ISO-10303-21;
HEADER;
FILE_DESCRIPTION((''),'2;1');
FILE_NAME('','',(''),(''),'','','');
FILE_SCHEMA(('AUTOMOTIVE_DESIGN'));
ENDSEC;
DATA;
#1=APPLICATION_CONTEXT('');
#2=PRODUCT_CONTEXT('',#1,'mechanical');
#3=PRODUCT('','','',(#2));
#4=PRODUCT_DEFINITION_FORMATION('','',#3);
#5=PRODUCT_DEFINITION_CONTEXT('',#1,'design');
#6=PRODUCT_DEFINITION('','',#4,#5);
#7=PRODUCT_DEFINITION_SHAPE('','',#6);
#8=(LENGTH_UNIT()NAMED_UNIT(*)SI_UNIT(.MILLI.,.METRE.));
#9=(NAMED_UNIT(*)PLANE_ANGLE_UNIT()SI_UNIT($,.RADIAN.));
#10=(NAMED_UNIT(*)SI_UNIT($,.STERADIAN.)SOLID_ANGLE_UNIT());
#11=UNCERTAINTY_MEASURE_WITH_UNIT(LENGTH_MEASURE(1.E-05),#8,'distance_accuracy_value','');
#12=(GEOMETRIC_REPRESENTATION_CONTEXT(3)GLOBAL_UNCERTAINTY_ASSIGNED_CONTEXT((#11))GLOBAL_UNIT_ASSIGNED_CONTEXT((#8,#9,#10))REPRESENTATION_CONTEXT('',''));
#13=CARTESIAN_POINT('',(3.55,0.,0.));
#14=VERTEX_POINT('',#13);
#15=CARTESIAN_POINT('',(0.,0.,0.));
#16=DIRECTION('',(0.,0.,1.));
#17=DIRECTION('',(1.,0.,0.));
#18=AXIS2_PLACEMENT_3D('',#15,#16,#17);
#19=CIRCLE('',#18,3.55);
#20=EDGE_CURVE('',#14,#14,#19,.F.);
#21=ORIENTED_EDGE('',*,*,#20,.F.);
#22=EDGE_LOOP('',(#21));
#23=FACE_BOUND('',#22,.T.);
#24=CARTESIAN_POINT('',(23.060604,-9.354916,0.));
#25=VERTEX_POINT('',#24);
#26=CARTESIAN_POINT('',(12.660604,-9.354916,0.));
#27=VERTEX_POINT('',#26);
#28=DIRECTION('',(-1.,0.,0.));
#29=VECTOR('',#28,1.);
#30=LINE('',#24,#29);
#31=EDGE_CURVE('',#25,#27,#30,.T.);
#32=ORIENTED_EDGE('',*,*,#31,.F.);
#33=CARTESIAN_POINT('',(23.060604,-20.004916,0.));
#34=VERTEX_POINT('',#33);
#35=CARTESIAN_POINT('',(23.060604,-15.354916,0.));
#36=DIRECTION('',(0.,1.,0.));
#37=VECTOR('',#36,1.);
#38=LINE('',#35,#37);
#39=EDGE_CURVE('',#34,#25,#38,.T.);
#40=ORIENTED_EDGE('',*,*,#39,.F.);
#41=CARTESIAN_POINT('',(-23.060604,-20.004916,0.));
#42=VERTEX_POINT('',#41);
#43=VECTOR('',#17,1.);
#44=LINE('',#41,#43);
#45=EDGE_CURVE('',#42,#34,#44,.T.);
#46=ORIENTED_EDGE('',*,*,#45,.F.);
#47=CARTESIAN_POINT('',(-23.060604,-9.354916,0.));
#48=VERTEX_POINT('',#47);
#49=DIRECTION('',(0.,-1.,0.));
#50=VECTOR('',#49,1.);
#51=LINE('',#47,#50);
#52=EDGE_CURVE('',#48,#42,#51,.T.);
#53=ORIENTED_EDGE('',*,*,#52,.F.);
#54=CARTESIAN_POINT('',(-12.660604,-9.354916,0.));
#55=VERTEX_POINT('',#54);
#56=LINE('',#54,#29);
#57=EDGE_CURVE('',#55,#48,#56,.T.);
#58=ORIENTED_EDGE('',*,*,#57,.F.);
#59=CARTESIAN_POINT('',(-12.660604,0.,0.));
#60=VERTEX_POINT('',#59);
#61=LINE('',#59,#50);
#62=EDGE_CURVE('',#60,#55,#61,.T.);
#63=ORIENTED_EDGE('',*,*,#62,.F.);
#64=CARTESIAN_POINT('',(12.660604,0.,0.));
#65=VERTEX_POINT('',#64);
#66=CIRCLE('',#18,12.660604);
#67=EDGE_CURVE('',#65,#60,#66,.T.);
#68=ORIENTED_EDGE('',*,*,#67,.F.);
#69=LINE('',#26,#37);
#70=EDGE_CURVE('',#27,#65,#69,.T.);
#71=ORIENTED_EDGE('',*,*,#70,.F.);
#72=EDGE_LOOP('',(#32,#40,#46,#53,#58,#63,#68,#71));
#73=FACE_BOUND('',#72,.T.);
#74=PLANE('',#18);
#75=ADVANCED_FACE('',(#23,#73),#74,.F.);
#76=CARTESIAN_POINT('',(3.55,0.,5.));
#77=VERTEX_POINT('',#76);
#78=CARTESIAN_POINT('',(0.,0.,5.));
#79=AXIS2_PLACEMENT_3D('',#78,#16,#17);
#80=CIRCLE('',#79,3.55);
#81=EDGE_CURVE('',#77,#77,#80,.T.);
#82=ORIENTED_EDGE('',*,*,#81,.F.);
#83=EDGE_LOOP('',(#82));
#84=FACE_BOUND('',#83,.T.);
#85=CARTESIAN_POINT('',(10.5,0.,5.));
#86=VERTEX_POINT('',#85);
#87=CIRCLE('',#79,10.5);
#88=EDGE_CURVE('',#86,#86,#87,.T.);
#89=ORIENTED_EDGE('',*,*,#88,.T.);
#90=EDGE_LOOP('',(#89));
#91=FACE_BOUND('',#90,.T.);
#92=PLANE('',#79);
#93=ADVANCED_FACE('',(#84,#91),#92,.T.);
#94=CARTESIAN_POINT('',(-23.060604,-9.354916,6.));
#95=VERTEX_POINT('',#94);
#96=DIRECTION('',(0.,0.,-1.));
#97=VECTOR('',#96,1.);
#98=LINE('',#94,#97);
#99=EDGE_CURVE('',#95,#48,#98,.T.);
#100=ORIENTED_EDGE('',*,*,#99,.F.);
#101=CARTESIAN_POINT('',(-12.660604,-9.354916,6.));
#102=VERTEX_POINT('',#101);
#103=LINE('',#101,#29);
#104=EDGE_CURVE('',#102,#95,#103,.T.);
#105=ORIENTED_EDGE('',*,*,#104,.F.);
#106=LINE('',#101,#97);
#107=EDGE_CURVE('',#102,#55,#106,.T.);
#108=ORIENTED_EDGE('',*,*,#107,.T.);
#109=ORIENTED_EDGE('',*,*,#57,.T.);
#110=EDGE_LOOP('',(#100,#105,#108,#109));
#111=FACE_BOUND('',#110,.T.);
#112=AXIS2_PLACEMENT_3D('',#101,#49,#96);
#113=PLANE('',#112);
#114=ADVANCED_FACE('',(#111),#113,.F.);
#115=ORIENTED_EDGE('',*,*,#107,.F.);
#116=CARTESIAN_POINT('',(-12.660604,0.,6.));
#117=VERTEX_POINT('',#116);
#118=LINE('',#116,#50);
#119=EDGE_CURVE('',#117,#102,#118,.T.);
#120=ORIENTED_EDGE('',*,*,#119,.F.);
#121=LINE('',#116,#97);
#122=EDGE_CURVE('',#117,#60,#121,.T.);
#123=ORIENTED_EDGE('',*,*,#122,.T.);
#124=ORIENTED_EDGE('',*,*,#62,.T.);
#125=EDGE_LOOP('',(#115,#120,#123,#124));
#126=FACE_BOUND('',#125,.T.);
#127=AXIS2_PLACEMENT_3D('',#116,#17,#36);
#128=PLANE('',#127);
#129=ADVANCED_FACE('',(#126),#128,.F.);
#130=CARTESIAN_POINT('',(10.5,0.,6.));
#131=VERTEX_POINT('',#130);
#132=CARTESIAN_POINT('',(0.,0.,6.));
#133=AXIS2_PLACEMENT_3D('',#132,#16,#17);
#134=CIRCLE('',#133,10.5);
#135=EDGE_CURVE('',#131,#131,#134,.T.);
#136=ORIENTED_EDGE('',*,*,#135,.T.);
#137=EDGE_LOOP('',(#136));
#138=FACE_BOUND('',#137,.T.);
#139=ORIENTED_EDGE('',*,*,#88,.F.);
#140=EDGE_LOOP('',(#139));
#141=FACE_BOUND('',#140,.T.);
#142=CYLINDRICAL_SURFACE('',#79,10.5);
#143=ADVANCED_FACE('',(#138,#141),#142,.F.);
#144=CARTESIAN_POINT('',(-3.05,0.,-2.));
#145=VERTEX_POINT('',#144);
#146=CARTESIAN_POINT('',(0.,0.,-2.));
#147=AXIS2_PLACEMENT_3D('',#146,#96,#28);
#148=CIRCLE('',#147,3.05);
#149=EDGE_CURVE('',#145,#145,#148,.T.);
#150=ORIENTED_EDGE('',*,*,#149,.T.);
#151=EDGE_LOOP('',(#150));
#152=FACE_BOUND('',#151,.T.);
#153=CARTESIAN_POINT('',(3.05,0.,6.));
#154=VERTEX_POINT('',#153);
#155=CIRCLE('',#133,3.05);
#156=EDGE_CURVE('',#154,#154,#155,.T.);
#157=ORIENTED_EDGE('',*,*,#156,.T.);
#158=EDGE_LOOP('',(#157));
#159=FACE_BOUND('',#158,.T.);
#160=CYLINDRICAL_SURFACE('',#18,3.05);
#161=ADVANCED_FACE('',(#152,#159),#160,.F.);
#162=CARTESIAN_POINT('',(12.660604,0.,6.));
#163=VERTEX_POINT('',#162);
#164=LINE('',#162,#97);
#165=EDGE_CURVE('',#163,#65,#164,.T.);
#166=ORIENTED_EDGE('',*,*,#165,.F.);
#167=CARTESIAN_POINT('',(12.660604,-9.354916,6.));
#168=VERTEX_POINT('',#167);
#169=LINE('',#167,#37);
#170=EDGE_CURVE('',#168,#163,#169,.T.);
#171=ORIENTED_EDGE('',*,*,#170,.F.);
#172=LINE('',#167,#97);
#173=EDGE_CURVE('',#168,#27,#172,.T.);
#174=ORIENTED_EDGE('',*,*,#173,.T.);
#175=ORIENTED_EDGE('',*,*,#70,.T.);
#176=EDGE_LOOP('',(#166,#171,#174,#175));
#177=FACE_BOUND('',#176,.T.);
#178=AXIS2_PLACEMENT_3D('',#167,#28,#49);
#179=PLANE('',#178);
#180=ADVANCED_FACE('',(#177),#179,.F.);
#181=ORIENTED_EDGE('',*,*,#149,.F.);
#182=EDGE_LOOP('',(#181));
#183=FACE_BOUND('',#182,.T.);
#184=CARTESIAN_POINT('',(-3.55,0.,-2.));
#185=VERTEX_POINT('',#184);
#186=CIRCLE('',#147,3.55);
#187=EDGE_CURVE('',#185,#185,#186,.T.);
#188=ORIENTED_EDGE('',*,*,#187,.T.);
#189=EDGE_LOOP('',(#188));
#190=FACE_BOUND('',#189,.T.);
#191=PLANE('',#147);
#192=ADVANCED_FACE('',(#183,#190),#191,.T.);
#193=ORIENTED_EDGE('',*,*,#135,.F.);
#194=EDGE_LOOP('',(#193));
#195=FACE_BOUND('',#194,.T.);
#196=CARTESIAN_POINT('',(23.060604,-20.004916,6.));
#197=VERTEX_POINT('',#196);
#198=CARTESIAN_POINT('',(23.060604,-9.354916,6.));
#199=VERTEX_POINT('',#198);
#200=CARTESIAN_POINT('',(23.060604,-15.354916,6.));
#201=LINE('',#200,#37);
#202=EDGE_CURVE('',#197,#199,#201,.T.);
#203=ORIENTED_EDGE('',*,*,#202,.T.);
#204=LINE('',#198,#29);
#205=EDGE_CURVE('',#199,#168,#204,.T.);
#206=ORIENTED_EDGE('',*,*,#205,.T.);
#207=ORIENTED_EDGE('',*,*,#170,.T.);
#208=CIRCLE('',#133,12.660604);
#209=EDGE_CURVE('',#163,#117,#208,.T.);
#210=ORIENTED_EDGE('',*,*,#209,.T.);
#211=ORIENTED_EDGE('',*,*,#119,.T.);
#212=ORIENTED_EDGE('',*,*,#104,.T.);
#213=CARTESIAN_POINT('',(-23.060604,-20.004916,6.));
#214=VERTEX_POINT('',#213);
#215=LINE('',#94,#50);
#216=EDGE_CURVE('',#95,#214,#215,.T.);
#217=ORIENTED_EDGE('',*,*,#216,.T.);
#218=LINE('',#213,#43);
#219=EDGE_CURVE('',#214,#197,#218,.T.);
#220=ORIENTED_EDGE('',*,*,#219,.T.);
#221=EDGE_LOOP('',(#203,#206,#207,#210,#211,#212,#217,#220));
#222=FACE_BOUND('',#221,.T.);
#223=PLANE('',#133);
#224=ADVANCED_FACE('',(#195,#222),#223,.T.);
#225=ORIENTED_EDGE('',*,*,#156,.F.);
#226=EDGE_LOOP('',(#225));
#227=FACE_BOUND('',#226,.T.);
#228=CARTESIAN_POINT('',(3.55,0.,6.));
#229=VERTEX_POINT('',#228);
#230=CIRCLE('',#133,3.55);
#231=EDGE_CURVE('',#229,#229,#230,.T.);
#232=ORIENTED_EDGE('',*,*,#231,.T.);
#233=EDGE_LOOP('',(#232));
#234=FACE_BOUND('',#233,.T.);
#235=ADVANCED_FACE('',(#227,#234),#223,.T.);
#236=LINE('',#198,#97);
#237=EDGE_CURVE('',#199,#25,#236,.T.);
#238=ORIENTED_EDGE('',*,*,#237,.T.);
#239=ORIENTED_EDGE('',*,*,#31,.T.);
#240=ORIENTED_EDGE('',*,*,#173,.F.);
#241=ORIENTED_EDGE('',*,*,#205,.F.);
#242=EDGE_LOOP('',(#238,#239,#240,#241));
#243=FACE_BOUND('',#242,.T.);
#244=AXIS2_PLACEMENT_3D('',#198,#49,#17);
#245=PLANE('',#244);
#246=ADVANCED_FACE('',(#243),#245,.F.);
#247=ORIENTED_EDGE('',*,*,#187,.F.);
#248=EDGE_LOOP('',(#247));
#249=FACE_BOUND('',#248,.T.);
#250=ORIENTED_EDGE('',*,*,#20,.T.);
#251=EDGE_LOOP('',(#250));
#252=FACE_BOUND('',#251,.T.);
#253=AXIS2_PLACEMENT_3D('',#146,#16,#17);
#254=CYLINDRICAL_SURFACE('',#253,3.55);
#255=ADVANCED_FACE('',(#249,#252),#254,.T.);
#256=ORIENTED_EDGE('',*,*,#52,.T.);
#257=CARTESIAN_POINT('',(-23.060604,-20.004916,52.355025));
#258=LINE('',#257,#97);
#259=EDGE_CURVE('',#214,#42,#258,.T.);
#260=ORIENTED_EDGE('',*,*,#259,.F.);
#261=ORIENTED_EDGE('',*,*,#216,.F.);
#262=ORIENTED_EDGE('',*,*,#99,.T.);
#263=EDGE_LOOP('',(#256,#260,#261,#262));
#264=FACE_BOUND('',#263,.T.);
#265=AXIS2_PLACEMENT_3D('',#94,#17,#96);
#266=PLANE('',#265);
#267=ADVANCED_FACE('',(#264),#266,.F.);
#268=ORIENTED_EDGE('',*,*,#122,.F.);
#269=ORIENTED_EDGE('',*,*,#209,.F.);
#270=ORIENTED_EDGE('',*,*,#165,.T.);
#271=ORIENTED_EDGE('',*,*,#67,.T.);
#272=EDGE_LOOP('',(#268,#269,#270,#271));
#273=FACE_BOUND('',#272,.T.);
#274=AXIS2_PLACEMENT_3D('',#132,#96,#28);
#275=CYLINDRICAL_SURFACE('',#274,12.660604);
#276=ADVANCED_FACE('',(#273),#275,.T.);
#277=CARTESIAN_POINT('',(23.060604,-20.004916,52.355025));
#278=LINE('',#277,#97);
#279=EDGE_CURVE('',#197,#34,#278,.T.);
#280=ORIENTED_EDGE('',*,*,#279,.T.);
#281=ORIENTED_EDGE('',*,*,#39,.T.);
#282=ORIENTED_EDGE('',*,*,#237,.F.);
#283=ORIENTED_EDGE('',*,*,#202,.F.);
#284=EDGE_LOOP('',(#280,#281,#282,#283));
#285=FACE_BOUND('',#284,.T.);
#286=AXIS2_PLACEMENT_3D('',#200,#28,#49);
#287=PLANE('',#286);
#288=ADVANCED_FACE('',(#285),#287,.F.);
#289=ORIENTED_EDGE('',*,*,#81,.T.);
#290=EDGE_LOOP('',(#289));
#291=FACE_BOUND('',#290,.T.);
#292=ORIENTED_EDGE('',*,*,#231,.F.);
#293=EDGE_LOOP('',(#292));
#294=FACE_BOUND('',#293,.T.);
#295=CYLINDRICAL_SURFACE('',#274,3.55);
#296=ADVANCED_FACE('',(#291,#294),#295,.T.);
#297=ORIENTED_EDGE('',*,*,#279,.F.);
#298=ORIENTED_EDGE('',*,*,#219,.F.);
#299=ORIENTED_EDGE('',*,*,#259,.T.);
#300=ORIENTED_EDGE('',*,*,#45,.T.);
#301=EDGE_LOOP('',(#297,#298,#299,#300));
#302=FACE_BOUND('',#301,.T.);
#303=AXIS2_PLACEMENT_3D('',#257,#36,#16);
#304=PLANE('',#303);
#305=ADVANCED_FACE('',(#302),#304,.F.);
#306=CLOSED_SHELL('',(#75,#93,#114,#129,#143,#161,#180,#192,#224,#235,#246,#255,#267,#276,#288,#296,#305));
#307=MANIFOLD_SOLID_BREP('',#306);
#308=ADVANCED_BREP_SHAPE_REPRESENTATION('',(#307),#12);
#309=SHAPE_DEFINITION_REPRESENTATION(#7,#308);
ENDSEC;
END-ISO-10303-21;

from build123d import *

# Parameters (mm, degrees)
SKETCH1_R            = 11
SKETCH1_R_2          = 3
BOSS_EXTRUDE2_DEPTH  = 6
SKETCH3_R            = 10.5
CUT_EXTRUDE1_DEPTH   = 1
SKETCH4_R            = 3.55
BOSS_EXTRUDE5_DEPTH  = 1
SKETCH5_R            = 3.05
CUT_EXTRUDE2_DEPTH   = 17.673332001
BOSS_EXTRUDE6_START  = 2
SKETCH6_R            = 3.55
BOSS_EXTRUDE6_DEPTH  = 2
SKETCH7_R            = 3.05
CUT_EXTRUDE3_DEPTH   = 18.492855685
SKETCH9_R            = 11
BOSS_EXTRUDE9_DEPTH  = 6
SKETCH10_W           = 46.121208306
SKETCH10_H           = 4.65
BOSS_EXTRUDE10_DEPTH = 6


with BuildPart() as part:
    # Sketch1 → Boss-Extrude2 (new body)
    with BuildSketch(Plane.XY):
        Circle(SKETCH1_R)
        Circle(SKETCH1_R_2, mode=Mode.SUBTRACT)
    extrude(amount=BOSS_EXTRUDE2_DEPTH)

    # Sketch3 → Cut-Extrude1 (cut)
    with BuildSketch(Plane.XY.offset(6)):
        Circle(SKETCH3_R)
    extrude(amount=-CUT_EXTRUDE1_DEPTH, mode=Mode.SUBTRACT)

    # Sketch4 → Boss-Extrude5 (add)
    with BuildSketch(Plane.XY.offset(5)):
        Circle(SKETCH4_R)
    extrude(amount=BOSS_EXTRUDE5_DEPTH)

    # Sketch5 → Cut-Extrude2 (cut, through all)
    with BuildSketch(Plane.XY.offset(6)):
        Circle(SKETCH5_R)
    extrude(amount=-CUT_EXTRUDE2_DEPTH, mode=Mode.SUBTRACT)

    # Sketch6 → Boss-Extrude6 (add)
    with BuildSketch(Plane(origin=(0, 0, 0), x_dir=(-1, 0, 0), z_dir=(0, 0, -1)).offset(BOSS_EXTRUDE6_START)):
        with Locations(Location((0, 0, 0), (0, 0, 180))):
            Circle(SKETCH6_R)
    extrude(amount=-BOSS_EXTRUDE6_DEPTH)

    # Sketch7 → Cut-Extrude3 (cut, through all)
    with BuildSketch(Plane(origin=(0, 0, -2), x_dir=(-1, 0, 0), z_dir=(0, 0, -1))):
        with Locations(Location((0, 0, 0), (0, 0, 180))):
            Circle(SKETCH7_R)
    extrude(amount=-CUT_EXTRUDE3_DEPTH, mode=Mode.SUBTRACT)

    # Sketch9 → Boss-Extrude9 (add, through all)
    with BuildSketch(Plane.XY):
        with BuildLine():
            Line((-12.660604153, 0), (-12.660604153, -9.354915786))
            Line((-12.660604153, -9.354915786), (-23.060604153, -9.354915786))
            Line((-23.060604153, -9.354915786), (-23.060604153, -15.354915786))
            Line((-23.060604153, -15.354915786), (23.060604153, -15.354915786))
            Line((23.060604153, -15.354915786), (23.060604153, -9.354915786))
            Line((23.060604153, -9.354915786), (12.660604153, -9.354915786))
            Line((12.660604153, -9.354915786), (12.660604153, 0))
            ThreePointArc((12.660604153, 0), (0, 12.660604153), (-12.660604153, 0))
        make_face()
        Circle(SKETCH9_R, mode=Mode.SUBTRACT)
    extrude(amount=BOSS_EXTRUDE9_DEPTH)

    # Sketch10 → Boss-Extrude10 (add)
    with BuildSketch(Plane.XY):
        with Locations((0, -17.679915786)):
            Rectangle(SKETCH10_W, SKETCH10_H)
    extrude(amount=BOSS_EXTRUDE10_DEPTH)


solid = part.part
